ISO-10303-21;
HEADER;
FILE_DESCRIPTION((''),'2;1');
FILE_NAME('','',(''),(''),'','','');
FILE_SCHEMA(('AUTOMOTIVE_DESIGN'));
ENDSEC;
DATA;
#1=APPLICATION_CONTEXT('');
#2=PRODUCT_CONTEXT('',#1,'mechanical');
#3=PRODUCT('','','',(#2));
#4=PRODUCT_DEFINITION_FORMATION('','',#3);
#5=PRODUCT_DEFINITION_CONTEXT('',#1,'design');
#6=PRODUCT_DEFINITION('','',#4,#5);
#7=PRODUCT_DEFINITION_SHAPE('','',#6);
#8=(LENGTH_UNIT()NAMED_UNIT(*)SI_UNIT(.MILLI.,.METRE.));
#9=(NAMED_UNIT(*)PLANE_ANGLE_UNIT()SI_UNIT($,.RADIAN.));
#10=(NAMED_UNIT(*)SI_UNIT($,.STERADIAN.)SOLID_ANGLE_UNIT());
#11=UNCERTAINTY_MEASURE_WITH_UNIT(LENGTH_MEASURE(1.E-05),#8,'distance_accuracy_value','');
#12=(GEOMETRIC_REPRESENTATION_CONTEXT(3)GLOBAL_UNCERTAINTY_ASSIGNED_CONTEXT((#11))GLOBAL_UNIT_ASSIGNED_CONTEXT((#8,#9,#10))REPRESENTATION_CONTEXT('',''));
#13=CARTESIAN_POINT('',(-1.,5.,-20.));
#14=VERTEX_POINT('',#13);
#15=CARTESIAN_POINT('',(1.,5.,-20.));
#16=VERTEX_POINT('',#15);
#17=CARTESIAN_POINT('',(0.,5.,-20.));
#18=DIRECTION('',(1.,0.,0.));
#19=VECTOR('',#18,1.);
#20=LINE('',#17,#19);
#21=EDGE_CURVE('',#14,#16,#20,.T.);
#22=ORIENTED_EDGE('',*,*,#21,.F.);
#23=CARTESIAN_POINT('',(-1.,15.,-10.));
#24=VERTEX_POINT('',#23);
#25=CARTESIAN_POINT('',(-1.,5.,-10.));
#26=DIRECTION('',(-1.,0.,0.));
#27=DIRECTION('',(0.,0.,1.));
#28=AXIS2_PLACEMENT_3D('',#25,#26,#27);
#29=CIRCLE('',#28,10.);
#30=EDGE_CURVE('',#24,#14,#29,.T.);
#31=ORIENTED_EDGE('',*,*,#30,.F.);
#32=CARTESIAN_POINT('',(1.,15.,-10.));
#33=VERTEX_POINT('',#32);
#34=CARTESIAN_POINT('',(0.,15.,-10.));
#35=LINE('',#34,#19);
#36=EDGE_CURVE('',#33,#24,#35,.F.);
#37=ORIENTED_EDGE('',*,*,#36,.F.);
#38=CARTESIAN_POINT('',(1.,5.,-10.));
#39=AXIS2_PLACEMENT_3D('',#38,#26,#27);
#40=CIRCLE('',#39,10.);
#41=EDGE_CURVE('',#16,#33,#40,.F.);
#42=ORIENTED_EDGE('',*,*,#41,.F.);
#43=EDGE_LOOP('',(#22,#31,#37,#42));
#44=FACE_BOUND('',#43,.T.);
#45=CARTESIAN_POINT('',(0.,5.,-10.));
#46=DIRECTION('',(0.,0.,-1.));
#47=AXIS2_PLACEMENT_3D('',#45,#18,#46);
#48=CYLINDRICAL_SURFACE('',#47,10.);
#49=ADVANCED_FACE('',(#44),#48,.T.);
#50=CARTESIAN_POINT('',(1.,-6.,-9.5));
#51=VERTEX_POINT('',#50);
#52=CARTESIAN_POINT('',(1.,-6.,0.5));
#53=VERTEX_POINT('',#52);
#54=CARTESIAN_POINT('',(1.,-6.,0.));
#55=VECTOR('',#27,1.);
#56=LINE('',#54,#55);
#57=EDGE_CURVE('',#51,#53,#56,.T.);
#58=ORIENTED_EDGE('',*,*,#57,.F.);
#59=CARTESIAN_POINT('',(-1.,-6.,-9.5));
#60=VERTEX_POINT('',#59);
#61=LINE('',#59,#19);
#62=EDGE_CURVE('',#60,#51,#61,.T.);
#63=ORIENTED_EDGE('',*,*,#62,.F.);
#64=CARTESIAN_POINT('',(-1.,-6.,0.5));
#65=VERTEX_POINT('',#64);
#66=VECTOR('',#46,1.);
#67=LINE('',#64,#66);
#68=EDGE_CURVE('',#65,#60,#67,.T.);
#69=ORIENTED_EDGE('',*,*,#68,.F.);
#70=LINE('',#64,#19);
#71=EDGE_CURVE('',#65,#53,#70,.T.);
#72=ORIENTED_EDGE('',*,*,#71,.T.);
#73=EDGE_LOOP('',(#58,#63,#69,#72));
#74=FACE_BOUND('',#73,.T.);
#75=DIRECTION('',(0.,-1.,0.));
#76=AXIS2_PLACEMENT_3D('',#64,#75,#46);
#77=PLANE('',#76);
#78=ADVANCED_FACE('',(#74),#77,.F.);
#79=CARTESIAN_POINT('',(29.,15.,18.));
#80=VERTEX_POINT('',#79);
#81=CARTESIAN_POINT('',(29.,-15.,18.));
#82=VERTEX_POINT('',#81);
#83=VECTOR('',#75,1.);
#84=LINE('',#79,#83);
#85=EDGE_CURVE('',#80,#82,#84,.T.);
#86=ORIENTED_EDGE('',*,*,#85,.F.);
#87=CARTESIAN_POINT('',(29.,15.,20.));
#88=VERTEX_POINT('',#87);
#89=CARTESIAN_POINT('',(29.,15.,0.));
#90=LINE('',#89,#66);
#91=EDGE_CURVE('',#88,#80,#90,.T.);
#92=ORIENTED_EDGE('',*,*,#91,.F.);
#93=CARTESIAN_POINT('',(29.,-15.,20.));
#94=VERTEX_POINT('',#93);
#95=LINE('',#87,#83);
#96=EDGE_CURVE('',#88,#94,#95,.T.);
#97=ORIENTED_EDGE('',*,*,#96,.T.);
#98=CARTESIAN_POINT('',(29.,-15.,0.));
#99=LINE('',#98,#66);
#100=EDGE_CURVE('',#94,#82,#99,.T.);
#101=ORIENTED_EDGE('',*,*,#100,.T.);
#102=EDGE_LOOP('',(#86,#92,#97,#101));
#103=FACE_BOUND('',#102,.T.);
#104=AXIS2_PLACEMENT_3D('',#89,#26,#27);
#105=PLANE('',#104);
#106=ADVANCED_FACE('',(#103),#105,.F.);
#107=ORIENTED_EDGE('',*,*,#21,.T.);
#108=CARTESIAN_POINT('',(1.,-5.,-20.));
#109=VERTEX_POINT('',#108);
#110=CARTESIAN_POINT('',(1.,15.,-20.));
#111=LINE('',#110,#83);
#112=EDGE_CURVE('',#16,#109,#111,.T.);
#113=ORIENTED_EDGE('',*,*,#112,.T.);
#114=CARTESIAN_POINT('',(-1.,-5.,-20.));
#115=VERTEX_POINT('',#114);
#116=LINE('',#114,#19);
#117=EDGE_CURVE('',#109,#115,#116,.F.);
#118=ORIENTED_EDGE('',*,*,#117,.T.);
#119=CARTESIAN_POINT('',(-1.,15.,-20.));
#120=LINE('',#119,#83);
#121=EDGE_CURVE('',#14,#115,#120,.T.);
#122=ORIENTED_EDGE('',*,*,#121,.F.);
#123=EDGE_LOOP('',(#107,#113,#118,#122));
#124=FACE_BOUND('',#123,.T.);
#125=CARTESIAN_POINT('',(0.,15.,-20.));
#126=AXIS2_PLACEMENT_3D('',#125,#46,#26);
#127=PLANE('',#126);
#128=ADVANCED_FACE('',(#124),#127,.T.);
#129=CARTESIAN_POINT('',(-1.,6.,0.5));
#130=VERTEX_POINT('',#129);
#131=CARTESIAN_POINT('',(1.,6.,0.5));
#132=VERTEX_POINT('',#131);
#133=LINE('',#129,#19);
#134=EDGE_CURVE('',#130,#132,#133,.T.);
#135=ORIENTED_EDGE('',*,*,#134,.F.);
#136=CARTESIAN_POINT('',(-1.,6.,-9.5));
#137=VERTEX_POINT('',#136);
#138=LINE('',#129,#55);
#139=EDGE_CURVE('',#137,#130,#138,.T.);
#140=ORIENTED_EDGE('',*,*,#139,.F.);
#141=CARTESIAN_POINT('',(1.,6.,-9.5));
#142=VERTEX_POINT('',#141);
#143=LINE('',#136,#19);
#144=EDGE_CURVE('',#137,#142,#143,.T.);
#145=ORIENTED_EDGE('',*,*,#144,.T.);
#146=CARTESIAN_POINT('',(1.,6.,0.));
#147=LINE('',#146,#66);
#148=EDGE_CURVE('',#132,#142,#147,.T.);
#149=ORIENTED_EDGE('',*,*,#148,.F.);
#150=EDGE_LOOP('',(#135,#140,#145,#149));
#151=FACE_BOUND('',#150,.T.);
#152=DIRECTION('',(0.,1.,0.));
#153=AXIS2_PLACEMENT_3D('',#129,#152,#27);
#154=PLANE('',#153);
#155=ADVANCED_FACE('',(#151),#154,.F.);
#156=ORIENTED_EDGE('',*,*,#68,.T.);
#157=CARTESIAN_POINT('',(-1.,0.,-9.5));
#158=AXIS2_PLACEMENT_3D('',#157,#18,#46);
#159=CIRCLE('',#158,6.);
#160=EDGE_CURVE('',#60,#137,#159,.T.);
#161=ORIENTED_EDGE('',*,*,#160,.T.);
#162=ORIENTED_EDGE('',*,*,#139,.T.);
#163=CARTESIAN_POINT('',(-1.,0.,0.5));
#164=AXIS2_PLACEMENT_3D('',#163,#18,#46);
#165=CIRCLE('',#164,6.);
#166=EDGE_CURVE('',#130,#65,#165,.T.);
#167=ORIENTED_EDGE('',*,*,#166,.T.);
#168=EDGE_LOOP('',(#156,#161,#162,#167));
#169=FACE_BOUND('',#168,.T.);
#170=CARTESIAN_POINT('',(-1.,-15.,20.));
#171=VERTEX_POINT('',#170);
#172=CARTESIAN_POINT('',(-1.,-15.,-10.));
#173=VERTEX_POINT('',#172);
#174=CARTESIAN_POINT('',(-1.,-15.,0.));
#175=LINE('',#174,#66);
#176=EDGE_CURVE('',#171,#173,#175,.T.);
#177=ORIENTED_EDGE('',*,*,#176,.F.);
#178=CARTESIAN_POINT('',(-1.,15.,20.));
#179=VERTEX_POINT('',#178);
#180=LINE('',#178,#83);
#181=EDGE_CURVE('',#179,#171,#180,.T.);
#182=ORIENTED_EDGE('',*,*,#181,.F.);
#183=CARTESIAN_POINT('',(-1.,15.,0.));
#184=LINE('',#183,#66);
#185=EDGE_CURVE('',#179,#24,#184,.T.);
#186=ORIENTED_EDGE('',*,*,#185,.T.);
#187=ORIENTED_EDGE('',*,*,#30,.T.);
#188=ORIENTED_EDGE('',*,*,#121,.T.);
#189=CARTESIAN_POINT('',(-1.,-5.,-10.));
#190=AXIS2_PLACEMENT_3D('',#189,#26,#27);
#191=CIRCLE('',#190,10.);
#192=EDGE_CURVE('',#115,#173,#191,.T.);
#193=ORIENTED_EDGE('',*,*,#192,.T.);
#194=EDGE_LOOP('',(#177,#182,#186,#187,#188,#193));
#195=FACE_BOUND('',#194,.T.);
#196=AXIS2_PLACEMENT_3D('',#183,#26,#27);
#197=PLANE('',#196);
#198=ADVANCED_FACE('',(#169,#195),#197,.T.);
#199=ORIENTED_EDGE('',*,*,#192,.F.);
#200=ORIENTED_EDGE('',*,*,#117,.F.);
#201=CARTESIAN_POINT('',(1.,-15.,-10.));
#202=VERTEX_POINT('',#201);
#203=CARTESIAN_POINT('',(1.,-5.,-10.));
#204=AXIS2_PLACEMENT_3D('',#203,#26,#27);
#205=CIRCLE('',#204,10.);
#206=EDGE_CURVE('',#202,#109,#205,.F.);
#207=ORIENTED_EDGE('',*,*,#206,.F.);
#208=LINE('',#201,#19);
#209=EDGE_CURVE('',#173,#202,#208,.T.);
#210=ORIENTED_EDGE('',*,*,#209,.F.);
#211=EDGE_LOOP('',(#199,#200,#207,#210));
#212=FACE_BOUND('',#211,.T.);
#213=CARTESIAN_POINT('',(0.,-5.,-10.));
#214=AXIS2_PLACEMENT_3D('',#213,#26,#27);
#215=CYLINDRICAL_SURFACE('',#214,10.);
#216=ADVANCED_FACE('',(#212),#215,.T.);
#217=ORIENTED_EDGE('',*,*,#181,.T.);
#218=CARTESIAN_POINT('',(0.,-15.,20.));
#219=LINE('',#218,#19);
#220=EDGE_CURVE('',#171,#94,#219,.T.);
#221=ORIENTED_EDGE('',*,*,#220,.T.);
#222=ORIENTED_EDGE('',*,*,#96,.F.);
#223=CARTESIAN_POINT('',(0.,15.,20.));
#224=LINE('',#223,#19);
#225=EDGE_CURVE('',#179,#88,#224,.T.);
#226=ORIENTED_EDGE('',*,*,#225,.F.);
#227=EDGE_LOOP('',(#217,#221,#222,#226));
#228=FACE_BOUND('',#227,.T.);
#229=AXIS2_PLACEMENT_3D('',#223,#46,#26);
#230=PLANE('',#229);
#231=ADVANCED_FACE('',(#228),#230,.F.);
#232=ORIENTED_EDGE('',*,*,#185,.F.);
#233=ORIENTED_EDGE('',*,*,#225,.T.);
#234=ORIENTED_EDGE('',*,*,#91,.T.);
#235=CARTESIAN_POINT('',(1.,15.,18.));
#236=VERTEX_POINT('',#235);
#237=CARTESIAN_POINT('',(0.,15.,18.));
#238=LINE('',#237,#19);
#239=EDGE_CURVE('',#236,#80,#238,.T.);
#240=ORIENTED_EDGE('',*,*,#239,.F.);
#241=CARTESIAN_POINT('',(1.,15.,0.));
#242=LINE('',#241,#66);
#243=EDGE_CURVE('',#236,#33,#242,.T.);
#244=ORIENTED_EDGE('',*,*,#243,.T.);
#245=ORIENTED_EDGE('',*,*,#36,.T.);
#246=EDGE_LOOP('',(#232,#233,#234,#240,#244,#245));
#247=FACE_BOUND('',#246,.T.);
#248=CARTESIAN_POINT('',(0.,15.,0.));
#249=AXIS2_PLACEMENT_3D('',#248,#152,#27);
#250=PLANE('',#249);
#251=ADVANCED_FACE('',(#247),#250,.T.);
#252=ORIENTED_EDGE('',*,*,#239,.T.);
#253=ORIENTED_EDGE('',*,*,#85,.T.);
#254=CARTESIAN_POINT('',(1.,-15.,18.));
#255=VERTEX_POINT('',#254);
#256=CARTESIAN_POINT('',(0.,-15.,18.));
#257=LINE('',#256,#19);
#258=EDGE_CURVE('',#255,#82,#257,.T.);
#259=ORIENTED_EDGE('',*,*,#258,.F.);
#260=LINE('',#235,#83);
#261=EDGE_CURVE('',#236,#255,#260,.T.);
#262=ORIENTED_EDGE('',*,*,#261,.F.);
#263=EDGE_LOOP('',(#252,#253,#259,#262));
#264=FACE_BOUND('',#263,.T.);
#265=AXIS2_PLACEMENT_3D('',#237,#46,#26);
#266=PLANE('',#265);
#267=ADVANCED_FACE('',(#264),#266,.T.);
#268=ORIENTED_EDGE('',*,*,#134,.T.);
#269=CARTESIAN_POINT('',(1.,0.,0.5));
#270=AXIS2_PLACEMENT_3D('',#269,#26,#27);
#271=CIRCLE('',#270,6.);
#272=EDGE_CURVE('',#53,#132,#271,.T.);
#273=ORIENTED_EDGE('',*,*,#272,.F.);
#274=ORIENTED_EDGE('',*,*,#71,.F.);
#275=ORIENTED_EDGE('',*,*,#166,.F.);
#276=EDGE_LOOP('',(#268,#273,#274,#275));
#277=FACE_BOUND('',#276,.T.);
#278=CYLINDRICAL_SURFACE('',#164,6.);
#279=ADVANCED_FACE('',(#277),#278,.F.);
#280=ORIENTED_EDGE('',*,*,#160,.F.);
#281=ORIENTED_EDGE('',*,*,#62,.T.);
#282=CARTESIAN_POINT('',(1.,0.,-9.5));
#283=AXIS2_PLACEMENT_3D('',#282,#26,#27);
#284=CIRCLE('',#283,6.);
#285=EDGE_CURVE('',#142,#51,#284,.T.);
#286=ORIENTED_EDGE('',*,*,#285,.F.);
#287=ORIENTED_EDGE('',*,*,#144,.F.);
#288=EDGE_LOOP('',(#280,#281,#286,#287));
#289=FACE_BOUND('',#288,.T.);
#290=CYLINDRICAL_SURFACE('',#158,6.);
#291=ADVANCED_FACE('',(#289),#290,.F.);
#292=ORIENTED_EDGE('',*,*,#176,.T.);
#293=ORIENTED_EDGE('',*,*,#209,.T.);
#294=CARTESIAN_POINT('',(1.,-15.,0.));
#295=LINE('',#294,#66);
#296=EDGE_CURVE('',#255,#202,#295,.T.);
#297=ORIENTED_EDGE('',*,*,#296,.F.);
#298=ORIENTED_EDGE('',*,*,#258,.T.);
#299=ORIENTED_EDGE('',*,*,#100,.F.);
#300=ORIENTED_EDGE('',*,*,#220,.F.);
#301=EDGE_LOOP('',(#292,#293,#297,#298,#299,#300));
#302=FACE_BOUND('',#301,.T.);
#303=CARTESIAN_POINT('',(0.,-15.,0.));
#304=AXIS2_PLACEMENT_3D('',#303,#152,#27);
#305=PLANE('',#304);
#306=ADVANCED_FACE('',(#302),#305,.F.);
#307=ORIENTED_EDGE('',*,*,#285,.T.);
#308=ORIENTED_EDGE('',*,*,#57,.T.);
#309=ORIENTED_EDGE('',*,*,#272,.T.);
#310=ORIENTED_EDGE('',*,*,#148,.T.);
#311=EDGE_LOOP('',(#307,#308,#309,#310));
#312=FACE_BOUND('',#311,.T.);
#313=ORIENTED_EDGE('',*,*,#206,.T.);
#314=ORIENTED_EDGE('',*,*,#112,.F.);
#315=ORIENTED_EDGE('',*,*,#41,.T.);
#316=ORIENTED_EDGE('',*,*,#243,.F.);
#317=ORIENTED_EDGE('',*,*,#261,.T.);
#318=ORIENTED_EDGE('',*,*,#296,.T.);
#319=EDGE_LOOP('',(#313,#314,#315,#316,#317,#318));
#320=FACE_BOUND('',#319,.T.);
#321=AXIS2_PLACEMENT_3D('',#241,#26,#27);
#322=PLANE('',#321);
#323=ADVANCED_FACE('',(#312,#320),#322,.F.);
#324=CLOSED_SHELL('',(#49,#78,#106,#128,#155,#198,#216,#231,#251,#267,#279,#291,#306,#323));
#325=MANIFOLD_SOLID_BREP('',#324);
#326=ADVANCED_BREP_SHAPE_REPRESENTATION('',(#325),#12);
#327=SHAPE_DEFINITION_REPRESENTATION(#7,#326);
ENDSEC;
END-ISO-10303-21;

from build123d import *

# Parameters (mm, degrees)
SKETCH_1_W               = 2
SKETCH_1_H               = 40
SKETCH_1_W_2             = 28
SKETCH_1_H_2             = 2
EXTRUDE_1_DEPTH          = 15
FILLET_1_R               = 10
CUT_EXTRUDE_1_DEPTH      = 38.536648758
CUT_EXTRUDE_1_DEPTH_BACK = 38.536648758


with BuildPart() as part:
    # 草图1 → 凸台-拉伸1 (new, symmetric)
    with BuildSketch(Plane(origin=(0, 0, 0), x_dir=(1, 0, 0), z_dir=(0, 1, 0))):
        Rectangle(SKETCH_1_W, SKETCH_1_H)
        with Locations((15, -19)):
            Rectangle(SKETCH_1_W_2, SKETCH_1_H_2)
    extrude(amount=EXTRUDE_1_DEPTH, both=True)

    # 圆角1
    fillet_1_edges = [part.edges().sort_by_distance(p)[0] for p in [
        (0, 15, -20),
        (0, -15, -20),
    ]]
    fillet(fillet_1_edges, radius=FILLET_1_R)

    # 草图2 → 切除-拉伸1 (cut, two sides: drawn at the far end of the back side and taken through both)
    with BuildSketch(Plane(origin=(1, 0, 0), x_dir=(0, 0, -1), z_dir=(1, 0, 0)).offset(-CUT_EXTRUDE_1_DEPTH_BACK)):
        with BuildLine():
            Line((-0.5, 6), (9.5, 6))
            ThreePointArc((9.5, 6), (15.5, 0), (9.5, -6))
            Line((9.5, -6), (-0.5, -6))
            ThreePointArc((-0.5, -6), (-6.5, 0), (-0.5, 6))
        make_face()
    extrude(amount=CUT_EXTRUDE_1_DEPTH + CUT_EXTRUDE_1_DEPTH_BACK, mode=Mode.SUBTRACT)


solid = part.part
